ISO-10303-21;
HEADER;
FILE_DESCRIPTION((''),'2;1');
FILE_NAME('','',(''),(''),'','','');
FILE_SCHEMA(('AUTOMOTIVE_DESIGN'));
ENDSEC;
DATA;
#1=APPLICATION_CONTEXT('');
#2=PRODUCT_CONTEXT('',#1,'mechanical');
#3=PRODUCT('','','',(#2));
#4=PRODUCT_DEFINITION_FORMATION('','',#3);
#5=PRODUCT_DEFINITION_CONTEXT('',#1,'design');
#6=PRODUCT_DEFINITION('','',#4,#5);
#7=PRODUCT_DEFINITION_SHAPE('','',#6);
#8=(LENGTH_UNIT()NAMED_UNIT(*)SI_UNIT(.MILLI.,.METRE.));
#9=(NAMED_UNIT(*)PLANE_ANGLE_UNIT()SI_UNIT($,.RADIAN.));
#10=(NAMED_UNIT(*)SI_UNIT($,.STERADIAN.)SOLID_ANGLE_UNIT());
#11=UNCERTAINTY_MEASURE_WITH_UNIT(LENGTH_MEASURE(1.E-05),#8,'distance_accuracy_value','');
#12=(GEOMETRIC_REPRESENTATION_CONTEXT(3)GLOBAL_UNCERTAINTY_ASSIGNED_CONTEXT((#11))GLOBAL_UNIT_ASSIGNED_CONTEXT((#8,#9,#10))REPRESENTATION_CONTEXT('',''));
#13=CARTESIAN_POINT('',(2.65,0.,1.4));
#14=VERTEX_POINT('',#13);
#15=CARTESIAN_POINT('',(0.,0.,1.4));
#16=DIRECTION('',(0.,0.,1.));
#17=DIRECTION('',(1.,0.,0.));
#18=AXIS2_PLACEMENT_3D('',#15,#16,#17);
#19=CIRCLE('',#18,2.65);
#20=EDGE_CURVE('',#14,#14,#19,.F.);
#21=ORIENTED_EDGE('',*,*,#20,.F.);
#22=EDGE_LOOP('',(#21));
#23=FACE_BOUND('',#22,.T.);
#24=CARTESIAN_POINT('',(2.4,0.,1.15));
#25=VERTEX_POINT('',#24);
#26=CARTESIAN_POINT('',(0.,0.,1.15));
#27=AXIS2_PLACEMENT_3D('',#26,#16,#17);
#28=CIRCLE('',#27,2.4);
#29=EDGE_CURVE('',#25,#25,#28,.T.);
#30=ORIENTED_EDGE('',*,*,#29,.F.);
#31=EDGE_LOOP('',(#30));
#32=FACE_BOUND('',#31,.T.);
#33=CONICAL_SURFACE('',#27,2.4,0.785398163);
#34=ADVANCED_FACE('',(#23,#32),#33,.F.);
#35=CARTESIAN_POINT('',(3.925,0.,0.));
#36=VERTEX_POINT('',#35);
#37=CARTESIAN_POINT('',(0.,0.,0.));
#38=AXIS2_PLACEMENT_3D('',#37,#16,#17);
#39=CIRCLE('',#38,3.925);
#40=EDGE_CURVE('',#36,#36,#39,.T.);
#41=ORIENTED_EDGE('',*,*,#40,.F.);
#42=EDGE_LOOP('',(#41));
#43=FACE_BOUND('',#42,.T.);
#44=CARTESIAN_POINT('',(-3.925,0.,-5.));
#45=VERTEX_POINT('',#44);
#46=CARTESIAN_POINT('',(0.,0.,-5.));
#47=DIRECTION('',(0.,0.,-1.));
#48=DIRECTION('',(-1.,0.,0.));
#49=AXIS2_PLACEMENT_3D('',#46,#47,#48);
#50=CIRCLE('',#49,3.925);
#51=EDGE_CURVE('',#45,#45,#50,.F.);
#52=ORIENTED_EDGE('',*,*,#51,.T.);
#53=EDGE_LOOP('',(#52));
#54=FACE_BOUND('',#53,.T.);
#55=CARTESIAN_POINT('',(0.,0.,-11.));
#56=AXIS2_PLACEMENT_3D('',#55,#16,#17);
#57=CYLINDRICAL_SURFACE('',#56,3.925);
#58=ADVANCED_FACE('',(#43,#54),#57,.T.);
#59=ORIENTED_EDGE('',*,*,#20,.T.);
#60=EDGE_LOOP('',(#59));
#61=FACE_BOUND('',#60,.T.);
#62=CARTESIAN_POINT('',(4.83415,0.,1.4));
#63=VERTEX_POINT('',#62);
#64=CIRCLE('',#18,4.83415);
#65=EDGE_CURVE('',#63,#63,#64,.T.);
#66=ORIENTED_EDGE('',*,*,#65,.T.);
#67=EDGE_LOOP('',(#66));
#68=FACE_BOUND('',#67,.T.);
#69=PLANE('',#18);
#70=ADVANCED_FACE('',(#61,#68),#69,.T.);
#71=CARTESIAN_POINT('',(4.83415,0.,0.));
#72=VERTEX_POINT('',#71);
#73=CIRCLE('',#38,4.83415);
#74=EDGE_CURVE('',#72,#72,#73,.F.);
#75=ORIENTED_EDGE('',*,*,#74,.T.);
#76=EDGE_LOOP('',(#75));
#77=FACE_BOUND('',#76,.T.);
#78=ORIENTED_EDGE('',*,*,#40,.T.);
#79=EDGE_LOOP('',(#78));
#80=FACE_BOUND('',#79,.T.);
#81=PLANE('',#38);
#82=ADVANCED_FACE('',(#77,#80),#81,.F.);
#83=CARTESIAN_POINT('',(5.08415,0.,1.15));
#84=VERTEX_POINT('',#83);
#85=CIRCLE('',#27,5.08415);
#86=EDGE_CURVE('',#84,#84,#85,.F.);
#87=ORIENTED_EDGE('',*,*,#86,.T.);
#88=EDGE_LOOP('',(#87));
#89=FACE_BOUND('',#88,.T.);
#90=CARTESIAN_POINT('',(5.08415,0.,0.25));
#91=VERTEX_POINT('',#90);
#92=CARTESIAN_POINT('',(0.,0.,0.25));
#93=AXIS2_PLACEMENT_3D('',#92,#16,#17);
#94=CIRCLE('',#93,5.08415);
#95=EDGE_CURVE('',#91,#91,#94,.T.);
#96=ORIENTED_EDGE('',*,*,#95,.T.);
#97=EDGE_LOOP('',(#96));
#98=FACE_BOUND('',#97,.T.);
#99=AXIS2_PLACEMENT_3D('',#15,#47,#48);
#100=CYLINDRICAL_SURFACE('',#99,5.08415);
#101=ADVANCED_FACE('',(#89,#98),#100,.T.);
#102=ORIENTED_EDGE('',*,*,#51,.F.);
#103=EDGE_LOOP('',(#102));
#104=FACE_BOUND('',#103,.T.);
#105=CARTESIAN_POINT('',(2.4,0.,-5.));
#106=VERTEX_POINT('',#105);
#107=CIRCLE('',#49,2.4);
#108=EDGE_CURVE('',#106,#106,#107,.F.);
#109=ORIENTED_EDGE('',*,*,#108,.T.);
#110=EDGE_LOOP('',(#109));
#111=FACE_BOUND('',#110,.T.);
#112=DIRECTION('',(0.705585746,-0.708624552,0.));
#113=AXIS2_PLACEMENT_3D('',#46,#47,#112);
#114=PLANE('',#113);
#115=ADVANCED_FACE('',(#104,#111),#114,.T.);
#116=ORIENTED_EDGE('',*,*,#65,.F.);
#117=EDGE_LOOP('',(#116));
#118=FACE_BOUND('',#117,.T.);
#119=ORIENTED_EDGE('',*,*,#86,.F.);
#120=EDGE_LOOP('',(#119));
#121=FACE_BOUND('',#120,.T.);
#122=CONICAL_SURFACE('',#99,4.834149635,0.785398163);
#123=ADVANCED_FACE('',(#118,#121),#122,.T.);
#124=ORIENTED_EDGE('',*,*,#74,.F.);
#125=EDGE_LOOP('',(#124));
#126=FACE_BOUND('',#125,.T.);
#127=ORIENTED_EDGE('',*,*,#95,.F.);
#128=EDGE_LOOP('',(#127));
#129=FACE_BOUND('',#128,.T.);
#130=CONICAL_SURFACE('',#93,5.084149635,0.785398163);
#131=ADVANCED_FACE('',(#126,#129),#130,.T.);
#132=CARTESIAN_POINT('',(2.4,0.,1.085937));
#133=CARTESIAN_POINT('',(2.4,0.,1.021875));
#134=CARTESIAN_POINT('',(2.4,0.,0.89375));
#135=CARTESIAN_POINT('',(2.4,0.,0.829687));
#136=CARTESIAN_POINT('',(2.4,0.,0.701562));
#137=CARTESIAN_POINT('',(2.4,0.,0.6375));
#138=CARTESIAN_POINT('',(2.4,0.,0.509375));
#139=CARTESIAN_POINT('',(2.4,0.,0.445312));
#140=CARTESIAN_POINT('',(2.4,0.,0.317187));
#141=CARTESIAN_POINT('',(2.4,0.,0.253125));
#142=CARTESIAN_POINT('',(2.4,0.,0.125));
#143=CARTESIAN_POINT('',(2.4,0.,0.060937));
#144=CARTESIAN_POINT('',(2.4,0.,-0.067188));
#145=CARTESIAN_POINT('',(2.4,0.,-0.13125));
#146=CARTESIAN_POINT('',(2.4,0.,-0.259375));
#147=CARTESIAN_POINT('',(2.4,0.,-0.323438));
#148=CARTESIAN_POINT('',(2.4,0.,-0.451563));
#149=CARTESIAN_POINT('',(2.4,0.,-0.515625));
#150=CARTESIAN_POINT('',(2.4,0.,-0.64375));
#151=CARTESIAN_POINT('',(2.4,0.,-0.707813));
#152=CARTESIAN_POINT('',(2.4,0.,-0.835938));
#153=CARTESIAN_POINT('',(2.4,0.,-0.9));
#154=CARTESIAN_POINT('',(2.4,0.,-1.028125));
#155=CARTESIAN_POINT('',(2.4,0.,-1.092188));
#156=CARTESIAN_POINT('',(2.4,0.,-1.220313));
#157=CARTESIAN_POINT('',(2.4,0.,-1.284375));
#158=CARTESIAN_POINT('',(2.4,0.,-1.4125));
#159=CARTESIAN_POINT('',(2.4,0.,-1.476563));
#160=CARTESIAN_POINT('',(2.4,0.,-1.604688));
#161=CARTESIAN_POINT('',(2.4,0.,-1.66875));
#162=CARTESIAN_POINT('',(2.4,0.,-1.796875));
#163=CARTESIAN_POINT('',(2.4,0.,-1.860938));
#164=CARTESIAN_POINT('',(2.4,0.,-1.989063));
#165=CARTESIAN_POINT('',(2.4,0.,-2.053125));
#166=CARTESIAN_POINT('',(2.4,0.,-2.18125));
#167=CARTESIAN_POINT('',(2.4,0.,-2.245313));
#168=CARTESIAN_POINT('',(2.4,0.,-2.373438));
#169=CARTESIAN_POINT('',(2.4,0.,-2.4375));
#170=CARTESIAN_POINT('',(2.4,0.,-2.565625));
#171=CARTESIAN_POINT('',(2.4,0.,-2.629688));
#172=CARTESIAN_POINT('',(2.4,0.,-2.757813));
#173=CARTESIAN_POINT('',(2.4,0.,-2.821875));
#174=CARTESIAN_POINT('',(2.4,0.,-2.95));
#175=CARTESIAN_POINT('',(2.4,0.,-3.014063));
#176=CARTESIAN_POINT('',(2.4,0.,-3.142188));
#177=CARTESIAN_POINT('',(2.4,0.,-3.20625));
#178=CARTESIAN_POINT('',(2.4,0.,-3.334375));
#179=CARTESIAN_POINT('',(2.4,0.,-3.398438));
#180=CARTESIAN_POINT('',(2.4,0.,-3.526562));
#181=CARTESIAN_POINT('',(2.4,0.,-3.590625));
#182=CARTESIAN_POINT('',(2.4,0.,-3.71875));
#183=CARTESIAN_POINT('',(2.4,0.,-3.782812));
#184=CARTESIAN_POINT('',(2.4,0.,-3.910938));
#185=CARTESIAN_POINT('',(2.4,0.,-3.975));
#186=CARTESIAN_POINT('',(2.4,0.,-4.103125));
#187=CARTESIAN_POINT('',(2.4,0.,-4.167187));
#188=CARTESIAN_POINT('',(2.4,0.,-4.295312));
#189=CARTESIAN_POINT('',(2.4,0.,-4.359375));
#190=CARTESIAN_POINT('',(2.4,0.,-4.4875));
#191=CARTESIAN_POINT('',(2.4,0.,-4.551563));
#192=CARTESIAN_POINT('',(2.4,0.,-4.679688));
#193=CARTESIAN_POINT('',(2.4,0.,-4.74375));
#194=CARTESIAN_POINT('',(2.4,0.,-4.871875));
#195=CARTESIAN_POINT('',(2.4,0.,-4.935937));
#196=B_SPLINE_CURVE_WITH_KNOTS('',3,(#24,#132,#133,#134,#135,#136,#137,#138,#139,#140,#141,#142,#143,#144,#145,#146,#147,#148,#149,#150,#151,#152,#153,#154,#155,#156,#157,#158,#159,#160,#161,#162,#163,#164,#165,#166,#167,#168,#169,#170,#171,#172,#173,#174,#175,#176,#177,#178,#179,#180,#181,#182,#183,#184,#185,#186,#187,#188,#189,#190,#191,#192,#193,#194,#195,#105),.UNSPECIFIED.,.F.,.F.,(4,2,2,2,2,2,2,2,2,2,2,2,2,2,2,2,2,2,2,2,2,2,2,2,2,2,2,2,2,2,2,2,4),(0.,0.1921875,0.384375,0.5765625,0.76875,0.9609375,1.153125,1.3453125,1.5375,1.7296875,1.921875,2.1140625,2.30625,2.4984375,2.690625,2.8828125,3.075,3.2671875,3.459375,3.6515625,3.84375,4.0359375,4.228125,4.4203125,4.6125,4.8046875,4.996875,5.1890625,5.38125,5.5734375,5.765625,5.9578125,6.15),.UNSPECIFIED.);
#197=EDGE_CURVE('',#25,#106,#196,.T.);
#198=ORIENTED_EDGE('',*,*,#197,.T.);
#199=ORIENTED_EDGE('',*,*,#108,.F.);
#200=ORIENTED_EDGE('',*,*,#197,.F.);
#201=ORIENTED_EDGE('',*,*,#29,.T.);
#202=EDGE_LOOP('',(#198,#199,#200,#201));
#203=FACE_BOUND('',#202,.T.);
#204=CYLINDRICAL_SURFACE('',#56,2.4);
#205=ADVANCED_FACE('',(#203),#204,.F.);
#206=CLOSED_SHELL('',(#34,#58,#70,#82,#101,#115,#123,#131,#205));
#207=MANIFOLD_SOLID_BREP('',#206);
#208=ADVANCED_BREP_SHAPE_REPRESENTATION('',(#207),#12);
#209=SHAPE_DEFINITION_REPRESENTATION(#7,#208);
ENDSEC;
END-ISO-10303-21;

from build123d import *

# Parameters (mm, degrees)
SKETCH1_R           = 3.925
BOSS_EXTRUDE1_DEPTH = 11
SKETCH2_R           = 5.084149635
BOSS_EXTRUDE2_DEPTH = 1.4
SKETCH3_R           = 2.4
CUT_EXTRUDE1_DEPTH  = 15.333776719
CHAMFER1_SIZE       = 0.25
CUT_EXTRUDE2_START  = -6
SKETCH4_R           = 6.115916059
CUT_EXTRUDE2_DEPTH  = 6


with BuildPart() as part:
    # Sketch1 → Boss-Extrude1 (new body)
    with BuildSketch(Plane.XY):
        Circle(SKETCH1_R)
    extrude(amount=-BOSS_EXTRUDE1_DEPTH)

    # Sketch2 → Boss-Extrude2 (add)
    with BuildSketch(Plane.XY):
        Circle(SKETCH2_R)
    extrude(amount=BOSS_EXTRUDE2_DEPTH)

    # Sketch3 → Cut-Extrude1 (cut, through all)
    with BuildSketch(Plane.XY.offset(1.4)):
        Circle(SKETCH3_R)
    extrude(amount=-CUT_EXTRUDE1_DEPTH, mode=Mode.SUBTRACT)

    # Chamfer1
    chamfer1_edges = [part.edges().sort_by_distance(p)[0] for p in [
        (-2.4, 0, -11),
        (-2.4, 0, 1.4),
        (-3.925, 0, -11),
        (-5.084149635, 0, 0),
        (-5.084149635, 0, 1.4),
    ]]
    chamfer(chamfer1_edges, length=CHAMFER1_SIZE)

    # Sketch4 → Cut-Extrude2 (cut)
    with BuildSketch(Plane(origin=(0, 0, -11), x_dir=(-1, 0, 0), z_dir=(0, 0, -1)).offset(CUT_EXTRUDE2_START)):
        Circle(SKETCH4_R)
    extrude(amount=CUT_EXTRUDE2_DEPTH, mode=Mode.SUBTRACT)


solid = part.part
